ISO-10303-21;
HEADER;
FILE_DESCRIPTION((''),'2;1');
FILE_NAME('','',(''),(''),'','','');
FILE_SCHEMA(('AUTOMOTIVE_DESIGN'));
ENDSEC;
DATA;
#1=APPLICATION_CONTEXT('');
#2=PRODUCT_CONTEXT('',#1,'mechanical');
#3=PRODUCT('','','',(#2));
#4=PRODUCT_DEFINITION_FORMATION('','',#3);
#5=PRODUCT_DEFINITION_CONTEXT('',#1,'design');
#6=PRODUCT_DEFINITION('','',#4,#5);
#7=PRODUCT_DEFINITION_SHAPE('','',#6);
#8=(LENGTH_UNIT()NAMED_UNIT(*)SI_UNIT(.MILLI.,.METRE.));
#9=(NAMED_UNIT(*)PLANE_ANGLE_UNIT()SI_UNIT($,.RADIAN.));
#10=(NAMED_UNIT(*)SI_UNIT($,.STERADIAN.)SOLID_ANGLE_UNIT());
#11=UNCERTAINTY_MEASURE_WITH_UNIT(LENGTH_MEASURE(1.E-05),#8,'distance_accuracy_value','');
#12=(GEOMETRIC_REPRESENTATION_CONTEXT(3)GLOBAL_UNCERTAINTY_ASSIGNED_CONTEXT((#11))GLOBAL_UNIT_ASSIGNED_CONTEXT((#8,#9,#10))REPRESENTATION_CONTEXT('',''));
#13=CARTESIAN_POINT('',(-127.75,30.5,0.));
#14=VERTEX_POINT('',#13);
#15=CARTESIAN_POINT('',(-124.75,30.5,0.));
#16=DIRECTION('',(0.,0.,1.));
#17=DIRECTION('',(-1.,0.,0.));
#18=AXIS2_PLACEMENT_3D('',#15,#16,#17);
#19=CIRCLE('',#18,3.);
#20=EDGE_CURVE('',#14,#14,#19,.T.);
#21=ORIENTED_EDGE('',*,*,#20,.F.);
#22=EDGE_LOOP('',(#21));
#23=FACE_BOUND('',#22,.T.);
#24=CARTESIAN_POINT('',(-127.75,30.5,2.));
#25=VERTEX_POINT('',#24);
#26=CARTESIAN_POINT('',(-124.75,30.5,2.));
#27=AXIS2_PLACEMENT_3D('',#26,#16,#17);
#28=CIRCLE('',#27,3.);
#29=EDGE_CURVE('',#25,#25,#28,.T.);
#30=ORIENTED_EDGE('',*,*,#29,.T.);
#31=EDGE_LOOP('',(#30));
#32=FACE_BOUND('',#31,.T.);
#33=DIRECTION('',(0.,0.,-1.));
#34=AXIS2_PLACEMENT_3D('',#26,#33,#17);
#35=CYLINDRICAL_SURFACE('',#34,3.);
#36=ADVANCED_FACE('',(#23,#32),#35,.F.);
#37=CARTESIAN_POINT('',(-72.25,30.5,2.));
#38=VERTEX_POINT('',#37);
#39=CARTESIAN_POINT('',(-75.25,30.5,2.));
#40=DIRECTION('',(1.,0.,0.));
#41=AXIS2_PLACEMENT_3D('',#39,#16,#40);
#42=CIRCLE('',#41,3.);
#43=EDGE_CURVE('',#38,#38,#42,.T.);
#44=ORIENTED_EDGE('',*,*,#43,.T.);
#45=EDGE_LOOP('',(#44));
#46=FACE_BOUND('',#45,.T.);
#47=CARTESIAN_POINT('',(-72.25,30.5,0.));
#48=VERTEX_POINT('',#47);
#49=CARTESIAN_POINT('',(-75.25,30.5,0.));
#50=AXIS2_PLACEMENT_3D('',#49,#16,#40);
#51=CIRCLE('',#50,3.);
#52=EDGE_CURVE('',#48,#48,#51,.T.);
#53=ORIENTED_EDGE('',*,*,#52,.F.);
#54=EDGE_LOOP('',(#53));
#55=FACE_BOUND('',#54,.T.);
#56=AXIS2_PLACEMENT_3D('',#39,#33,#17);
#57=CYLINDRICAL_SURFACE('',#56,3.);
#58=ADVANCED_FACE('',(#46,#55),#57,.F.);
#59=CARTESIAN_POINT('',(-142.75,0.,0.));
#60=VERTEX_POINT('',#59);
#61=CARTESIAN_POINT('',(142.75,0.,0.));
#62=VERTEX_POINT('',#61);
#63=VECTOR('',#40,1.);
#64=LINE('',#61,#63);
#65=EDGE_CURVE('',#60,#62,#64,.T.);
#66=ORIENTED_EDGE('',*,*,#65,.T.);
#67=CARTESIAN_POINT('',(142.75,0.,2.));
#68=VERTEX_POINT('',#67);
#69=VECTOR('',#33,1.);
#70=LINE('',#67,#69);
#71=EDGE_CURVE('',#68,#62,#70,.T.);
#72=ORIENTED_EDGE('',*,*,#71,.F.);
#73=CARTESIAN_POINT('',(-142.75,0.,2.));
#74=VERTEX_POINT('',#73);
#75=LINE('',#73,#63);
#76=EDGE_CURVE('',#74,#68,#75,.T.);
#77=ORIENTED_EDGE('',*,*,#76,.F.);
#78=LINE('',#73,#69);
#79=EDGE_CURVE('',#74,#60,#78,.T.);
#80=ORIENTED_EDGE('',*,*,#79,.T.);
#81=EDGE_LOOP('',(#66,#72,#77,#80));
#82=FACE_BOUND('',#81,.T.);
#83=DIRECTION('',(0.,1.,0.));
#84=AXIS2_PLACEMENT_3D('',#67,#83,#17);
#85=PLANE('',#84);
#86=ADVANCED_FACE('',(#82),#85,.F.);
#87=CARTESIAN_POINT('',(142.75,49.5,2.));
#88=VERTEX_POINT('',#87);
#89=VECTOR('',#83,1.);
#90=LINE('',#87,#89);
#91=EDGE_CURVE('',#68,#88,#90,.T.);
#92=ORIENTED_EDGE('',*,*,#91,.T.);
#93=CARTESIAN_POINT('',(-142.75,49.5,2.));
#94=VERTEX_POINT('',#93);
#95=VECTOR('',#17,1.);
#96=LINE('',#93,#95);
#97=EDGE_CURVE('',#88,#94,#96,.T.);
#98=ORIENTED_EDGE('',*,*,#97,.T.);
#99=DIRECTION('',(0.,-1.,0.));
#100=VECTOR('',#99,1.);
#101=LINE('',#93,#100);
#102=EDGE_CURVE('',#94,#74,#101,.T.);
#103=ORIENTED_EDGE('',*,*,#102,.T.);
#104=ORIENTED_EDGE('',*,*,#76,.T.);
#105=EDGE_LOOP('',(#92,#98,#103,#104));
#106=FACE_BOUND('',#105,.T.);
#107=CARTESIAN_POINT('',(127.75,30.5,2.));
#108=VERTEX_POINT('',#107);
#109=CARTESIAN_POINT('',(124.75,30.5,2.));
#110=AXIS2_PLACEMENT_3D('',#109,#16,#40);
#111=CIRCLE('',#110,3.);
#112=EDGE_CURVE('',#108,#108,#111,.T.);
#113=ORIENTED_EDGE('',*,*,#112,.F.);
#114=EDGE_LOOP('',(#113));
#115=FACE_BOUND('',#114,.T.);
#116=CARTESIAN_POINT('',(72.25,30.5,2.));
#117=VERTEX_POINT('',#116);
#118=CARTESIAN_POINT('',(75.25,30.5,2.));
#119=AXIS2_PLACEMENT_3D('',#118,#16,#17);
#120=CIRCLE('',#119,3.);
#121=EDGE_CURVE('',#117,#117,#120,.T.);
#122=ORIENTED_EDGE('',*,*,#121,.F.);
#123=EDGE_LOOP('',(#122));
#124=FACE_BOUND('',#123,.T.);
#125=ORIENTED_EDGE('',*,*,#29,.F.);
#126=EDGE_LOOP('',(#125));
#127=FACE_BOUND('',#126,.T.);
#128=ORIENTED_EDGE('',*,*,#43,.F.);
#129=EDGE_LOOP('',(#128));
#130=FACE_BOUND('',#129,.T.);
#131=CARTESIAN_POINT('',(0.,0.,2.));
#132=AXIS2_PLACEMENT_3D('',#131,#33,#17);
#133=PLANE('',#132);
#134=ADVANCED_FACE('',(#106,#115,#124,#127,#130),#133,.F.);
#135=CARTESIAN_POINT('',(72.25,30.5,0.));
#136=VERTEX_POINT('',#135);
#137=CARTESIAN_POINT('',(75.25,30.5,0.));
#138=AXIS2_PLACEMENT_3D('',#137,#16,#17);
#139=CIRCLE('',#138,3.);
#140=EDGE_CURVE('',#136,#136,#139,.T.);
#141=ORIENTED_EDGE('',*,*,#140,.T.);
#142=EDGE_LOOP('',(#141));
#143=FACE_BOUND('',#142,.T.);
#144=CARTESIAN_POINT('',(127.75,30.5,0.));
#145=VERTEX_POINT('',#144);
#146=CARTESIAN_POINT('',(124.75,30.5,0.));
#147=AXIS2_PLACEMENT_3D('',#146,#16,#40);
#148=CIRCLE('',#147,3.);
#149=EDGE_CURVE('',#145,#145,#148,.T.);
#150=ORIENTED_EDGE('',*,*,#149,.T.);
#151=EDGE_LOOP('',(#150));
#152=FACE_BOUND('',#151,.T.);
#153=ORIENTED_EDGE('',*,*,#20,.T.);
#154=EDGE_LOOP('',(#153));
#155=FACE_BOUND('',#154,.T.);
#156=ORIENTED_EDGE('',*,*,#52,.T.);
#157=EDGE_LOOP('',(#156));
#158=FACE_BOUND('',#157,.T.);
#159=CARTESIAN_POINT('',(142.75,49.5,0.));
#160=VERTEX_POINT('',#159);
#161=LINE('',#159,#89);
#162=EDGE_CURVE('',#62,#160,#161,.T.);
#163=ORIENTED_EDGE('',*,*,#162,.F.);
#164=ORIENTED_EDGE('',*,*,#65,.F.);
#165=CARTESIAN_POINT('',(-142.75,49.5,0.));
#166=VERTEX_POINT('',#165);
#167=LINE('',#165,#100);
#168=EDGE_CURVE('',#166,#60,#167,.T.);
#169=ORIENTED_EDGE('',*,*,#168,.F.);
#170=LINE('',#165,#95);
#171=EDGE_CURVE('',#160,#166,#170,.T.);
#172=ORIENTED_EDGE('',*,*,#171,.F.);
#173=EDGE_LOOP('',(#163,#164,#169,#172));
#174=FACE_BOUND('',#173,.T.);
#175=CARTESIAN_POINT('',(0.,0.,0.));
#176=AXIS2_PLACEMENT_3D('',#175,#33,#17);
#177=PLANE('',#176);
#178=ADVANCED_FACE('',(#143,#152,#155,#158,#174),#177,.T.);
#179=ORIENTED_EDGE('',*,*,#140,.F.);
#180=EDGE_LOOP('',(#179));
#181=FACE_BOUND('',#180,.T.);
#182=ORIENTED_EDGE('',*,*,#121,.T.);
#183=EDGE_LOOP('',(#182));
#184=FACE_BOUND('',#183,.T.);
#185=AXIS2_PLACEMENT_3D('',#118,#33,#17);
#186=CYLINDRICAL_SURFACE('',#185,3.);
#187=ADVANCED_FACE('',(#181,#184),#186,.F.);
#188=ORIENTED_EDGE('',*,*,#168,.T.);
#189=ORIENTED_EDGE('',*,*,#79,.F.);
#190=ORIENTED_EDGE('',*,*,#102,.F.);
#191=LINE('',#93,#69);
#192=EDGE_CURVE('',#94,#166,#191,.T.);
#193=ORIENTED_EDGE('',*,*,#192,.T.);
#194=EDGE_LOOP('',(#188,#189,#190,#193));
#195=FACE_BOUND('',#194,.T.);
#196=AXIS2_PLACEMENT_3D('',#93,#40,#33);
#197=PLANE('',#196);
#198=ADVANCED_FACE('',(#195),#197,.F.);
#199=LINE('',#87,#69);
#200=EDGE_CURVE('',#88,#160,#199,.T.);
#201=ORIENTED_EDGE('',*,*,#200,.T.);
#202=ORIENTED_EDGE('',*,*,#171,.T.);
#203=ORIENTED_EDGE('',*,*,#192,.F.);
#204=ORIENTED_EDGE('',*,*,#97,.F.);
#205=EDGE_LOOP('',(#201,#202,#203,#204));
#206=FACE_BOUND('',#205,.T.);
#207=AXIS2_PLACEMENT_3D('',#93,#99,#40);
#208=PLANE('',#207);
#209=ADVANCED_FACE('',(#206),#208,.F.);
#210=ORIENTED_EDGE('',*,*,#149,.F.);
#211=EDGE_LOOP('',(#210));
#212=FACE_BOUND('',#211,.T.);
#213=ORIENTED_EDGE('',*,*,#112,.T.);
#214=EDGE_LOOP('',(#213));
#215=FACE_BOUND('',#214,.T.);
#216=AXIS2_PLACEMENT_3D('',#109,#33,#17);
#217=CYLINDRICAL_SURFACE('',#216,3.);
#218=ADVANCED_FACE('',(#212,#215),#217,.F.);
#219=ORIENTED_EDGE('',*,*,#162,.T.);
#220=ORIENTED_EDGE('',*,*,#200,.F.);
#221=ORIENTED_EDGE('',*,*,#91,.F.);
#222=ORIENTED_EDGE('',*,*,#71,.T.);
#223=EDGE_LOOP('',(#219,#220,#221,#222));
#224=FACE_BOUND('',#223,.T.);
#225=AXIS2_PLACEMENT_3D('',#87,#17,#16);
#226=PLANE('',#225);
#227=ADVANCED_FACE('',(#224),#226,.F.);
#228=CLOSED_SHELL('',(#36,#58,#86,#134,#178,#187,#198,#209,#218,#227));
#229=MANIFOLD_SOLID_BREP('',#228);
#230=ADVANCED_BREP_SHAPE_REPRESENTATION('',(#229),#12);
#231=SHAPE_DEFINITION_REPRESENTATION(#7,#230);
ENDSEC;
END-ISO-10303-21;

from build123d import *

# Parameters (mm, degrees)
SKETCH1_R           = 3
BOSS_EXTRUDE1_DEPTH = 2


with BuildPart() as part:
    # Sketch1 → Boss-Extrude1 (new body)
    with BuildSketch(Plane.XY):
        Polygon((-142.75, 49.5), (-142.75, 0), (0, 0), (142.75, 0), (142.75, 49.5), align=None)
        with Locations((124.75, 30.5)):
            Circle(SKETCH1_R, mode=Mode.SUBTRACT)
        with Locations((75.25, 30.5)):
            Circle(SKETCH1_R, mode=Mode.SUBTRACT)
        with Locations((-75.25, 30.5)):
            Circle(SKETCH1_R, mode=Mode.SUBTRACT)
        with Locations((-124.75, 30.5)):
            Circle(SKETCH1_R, mode=Mode.SUBTRACT)
    extrude(amount=BOSS_EXTRUDE1_DEPTH)


solid = part.part
